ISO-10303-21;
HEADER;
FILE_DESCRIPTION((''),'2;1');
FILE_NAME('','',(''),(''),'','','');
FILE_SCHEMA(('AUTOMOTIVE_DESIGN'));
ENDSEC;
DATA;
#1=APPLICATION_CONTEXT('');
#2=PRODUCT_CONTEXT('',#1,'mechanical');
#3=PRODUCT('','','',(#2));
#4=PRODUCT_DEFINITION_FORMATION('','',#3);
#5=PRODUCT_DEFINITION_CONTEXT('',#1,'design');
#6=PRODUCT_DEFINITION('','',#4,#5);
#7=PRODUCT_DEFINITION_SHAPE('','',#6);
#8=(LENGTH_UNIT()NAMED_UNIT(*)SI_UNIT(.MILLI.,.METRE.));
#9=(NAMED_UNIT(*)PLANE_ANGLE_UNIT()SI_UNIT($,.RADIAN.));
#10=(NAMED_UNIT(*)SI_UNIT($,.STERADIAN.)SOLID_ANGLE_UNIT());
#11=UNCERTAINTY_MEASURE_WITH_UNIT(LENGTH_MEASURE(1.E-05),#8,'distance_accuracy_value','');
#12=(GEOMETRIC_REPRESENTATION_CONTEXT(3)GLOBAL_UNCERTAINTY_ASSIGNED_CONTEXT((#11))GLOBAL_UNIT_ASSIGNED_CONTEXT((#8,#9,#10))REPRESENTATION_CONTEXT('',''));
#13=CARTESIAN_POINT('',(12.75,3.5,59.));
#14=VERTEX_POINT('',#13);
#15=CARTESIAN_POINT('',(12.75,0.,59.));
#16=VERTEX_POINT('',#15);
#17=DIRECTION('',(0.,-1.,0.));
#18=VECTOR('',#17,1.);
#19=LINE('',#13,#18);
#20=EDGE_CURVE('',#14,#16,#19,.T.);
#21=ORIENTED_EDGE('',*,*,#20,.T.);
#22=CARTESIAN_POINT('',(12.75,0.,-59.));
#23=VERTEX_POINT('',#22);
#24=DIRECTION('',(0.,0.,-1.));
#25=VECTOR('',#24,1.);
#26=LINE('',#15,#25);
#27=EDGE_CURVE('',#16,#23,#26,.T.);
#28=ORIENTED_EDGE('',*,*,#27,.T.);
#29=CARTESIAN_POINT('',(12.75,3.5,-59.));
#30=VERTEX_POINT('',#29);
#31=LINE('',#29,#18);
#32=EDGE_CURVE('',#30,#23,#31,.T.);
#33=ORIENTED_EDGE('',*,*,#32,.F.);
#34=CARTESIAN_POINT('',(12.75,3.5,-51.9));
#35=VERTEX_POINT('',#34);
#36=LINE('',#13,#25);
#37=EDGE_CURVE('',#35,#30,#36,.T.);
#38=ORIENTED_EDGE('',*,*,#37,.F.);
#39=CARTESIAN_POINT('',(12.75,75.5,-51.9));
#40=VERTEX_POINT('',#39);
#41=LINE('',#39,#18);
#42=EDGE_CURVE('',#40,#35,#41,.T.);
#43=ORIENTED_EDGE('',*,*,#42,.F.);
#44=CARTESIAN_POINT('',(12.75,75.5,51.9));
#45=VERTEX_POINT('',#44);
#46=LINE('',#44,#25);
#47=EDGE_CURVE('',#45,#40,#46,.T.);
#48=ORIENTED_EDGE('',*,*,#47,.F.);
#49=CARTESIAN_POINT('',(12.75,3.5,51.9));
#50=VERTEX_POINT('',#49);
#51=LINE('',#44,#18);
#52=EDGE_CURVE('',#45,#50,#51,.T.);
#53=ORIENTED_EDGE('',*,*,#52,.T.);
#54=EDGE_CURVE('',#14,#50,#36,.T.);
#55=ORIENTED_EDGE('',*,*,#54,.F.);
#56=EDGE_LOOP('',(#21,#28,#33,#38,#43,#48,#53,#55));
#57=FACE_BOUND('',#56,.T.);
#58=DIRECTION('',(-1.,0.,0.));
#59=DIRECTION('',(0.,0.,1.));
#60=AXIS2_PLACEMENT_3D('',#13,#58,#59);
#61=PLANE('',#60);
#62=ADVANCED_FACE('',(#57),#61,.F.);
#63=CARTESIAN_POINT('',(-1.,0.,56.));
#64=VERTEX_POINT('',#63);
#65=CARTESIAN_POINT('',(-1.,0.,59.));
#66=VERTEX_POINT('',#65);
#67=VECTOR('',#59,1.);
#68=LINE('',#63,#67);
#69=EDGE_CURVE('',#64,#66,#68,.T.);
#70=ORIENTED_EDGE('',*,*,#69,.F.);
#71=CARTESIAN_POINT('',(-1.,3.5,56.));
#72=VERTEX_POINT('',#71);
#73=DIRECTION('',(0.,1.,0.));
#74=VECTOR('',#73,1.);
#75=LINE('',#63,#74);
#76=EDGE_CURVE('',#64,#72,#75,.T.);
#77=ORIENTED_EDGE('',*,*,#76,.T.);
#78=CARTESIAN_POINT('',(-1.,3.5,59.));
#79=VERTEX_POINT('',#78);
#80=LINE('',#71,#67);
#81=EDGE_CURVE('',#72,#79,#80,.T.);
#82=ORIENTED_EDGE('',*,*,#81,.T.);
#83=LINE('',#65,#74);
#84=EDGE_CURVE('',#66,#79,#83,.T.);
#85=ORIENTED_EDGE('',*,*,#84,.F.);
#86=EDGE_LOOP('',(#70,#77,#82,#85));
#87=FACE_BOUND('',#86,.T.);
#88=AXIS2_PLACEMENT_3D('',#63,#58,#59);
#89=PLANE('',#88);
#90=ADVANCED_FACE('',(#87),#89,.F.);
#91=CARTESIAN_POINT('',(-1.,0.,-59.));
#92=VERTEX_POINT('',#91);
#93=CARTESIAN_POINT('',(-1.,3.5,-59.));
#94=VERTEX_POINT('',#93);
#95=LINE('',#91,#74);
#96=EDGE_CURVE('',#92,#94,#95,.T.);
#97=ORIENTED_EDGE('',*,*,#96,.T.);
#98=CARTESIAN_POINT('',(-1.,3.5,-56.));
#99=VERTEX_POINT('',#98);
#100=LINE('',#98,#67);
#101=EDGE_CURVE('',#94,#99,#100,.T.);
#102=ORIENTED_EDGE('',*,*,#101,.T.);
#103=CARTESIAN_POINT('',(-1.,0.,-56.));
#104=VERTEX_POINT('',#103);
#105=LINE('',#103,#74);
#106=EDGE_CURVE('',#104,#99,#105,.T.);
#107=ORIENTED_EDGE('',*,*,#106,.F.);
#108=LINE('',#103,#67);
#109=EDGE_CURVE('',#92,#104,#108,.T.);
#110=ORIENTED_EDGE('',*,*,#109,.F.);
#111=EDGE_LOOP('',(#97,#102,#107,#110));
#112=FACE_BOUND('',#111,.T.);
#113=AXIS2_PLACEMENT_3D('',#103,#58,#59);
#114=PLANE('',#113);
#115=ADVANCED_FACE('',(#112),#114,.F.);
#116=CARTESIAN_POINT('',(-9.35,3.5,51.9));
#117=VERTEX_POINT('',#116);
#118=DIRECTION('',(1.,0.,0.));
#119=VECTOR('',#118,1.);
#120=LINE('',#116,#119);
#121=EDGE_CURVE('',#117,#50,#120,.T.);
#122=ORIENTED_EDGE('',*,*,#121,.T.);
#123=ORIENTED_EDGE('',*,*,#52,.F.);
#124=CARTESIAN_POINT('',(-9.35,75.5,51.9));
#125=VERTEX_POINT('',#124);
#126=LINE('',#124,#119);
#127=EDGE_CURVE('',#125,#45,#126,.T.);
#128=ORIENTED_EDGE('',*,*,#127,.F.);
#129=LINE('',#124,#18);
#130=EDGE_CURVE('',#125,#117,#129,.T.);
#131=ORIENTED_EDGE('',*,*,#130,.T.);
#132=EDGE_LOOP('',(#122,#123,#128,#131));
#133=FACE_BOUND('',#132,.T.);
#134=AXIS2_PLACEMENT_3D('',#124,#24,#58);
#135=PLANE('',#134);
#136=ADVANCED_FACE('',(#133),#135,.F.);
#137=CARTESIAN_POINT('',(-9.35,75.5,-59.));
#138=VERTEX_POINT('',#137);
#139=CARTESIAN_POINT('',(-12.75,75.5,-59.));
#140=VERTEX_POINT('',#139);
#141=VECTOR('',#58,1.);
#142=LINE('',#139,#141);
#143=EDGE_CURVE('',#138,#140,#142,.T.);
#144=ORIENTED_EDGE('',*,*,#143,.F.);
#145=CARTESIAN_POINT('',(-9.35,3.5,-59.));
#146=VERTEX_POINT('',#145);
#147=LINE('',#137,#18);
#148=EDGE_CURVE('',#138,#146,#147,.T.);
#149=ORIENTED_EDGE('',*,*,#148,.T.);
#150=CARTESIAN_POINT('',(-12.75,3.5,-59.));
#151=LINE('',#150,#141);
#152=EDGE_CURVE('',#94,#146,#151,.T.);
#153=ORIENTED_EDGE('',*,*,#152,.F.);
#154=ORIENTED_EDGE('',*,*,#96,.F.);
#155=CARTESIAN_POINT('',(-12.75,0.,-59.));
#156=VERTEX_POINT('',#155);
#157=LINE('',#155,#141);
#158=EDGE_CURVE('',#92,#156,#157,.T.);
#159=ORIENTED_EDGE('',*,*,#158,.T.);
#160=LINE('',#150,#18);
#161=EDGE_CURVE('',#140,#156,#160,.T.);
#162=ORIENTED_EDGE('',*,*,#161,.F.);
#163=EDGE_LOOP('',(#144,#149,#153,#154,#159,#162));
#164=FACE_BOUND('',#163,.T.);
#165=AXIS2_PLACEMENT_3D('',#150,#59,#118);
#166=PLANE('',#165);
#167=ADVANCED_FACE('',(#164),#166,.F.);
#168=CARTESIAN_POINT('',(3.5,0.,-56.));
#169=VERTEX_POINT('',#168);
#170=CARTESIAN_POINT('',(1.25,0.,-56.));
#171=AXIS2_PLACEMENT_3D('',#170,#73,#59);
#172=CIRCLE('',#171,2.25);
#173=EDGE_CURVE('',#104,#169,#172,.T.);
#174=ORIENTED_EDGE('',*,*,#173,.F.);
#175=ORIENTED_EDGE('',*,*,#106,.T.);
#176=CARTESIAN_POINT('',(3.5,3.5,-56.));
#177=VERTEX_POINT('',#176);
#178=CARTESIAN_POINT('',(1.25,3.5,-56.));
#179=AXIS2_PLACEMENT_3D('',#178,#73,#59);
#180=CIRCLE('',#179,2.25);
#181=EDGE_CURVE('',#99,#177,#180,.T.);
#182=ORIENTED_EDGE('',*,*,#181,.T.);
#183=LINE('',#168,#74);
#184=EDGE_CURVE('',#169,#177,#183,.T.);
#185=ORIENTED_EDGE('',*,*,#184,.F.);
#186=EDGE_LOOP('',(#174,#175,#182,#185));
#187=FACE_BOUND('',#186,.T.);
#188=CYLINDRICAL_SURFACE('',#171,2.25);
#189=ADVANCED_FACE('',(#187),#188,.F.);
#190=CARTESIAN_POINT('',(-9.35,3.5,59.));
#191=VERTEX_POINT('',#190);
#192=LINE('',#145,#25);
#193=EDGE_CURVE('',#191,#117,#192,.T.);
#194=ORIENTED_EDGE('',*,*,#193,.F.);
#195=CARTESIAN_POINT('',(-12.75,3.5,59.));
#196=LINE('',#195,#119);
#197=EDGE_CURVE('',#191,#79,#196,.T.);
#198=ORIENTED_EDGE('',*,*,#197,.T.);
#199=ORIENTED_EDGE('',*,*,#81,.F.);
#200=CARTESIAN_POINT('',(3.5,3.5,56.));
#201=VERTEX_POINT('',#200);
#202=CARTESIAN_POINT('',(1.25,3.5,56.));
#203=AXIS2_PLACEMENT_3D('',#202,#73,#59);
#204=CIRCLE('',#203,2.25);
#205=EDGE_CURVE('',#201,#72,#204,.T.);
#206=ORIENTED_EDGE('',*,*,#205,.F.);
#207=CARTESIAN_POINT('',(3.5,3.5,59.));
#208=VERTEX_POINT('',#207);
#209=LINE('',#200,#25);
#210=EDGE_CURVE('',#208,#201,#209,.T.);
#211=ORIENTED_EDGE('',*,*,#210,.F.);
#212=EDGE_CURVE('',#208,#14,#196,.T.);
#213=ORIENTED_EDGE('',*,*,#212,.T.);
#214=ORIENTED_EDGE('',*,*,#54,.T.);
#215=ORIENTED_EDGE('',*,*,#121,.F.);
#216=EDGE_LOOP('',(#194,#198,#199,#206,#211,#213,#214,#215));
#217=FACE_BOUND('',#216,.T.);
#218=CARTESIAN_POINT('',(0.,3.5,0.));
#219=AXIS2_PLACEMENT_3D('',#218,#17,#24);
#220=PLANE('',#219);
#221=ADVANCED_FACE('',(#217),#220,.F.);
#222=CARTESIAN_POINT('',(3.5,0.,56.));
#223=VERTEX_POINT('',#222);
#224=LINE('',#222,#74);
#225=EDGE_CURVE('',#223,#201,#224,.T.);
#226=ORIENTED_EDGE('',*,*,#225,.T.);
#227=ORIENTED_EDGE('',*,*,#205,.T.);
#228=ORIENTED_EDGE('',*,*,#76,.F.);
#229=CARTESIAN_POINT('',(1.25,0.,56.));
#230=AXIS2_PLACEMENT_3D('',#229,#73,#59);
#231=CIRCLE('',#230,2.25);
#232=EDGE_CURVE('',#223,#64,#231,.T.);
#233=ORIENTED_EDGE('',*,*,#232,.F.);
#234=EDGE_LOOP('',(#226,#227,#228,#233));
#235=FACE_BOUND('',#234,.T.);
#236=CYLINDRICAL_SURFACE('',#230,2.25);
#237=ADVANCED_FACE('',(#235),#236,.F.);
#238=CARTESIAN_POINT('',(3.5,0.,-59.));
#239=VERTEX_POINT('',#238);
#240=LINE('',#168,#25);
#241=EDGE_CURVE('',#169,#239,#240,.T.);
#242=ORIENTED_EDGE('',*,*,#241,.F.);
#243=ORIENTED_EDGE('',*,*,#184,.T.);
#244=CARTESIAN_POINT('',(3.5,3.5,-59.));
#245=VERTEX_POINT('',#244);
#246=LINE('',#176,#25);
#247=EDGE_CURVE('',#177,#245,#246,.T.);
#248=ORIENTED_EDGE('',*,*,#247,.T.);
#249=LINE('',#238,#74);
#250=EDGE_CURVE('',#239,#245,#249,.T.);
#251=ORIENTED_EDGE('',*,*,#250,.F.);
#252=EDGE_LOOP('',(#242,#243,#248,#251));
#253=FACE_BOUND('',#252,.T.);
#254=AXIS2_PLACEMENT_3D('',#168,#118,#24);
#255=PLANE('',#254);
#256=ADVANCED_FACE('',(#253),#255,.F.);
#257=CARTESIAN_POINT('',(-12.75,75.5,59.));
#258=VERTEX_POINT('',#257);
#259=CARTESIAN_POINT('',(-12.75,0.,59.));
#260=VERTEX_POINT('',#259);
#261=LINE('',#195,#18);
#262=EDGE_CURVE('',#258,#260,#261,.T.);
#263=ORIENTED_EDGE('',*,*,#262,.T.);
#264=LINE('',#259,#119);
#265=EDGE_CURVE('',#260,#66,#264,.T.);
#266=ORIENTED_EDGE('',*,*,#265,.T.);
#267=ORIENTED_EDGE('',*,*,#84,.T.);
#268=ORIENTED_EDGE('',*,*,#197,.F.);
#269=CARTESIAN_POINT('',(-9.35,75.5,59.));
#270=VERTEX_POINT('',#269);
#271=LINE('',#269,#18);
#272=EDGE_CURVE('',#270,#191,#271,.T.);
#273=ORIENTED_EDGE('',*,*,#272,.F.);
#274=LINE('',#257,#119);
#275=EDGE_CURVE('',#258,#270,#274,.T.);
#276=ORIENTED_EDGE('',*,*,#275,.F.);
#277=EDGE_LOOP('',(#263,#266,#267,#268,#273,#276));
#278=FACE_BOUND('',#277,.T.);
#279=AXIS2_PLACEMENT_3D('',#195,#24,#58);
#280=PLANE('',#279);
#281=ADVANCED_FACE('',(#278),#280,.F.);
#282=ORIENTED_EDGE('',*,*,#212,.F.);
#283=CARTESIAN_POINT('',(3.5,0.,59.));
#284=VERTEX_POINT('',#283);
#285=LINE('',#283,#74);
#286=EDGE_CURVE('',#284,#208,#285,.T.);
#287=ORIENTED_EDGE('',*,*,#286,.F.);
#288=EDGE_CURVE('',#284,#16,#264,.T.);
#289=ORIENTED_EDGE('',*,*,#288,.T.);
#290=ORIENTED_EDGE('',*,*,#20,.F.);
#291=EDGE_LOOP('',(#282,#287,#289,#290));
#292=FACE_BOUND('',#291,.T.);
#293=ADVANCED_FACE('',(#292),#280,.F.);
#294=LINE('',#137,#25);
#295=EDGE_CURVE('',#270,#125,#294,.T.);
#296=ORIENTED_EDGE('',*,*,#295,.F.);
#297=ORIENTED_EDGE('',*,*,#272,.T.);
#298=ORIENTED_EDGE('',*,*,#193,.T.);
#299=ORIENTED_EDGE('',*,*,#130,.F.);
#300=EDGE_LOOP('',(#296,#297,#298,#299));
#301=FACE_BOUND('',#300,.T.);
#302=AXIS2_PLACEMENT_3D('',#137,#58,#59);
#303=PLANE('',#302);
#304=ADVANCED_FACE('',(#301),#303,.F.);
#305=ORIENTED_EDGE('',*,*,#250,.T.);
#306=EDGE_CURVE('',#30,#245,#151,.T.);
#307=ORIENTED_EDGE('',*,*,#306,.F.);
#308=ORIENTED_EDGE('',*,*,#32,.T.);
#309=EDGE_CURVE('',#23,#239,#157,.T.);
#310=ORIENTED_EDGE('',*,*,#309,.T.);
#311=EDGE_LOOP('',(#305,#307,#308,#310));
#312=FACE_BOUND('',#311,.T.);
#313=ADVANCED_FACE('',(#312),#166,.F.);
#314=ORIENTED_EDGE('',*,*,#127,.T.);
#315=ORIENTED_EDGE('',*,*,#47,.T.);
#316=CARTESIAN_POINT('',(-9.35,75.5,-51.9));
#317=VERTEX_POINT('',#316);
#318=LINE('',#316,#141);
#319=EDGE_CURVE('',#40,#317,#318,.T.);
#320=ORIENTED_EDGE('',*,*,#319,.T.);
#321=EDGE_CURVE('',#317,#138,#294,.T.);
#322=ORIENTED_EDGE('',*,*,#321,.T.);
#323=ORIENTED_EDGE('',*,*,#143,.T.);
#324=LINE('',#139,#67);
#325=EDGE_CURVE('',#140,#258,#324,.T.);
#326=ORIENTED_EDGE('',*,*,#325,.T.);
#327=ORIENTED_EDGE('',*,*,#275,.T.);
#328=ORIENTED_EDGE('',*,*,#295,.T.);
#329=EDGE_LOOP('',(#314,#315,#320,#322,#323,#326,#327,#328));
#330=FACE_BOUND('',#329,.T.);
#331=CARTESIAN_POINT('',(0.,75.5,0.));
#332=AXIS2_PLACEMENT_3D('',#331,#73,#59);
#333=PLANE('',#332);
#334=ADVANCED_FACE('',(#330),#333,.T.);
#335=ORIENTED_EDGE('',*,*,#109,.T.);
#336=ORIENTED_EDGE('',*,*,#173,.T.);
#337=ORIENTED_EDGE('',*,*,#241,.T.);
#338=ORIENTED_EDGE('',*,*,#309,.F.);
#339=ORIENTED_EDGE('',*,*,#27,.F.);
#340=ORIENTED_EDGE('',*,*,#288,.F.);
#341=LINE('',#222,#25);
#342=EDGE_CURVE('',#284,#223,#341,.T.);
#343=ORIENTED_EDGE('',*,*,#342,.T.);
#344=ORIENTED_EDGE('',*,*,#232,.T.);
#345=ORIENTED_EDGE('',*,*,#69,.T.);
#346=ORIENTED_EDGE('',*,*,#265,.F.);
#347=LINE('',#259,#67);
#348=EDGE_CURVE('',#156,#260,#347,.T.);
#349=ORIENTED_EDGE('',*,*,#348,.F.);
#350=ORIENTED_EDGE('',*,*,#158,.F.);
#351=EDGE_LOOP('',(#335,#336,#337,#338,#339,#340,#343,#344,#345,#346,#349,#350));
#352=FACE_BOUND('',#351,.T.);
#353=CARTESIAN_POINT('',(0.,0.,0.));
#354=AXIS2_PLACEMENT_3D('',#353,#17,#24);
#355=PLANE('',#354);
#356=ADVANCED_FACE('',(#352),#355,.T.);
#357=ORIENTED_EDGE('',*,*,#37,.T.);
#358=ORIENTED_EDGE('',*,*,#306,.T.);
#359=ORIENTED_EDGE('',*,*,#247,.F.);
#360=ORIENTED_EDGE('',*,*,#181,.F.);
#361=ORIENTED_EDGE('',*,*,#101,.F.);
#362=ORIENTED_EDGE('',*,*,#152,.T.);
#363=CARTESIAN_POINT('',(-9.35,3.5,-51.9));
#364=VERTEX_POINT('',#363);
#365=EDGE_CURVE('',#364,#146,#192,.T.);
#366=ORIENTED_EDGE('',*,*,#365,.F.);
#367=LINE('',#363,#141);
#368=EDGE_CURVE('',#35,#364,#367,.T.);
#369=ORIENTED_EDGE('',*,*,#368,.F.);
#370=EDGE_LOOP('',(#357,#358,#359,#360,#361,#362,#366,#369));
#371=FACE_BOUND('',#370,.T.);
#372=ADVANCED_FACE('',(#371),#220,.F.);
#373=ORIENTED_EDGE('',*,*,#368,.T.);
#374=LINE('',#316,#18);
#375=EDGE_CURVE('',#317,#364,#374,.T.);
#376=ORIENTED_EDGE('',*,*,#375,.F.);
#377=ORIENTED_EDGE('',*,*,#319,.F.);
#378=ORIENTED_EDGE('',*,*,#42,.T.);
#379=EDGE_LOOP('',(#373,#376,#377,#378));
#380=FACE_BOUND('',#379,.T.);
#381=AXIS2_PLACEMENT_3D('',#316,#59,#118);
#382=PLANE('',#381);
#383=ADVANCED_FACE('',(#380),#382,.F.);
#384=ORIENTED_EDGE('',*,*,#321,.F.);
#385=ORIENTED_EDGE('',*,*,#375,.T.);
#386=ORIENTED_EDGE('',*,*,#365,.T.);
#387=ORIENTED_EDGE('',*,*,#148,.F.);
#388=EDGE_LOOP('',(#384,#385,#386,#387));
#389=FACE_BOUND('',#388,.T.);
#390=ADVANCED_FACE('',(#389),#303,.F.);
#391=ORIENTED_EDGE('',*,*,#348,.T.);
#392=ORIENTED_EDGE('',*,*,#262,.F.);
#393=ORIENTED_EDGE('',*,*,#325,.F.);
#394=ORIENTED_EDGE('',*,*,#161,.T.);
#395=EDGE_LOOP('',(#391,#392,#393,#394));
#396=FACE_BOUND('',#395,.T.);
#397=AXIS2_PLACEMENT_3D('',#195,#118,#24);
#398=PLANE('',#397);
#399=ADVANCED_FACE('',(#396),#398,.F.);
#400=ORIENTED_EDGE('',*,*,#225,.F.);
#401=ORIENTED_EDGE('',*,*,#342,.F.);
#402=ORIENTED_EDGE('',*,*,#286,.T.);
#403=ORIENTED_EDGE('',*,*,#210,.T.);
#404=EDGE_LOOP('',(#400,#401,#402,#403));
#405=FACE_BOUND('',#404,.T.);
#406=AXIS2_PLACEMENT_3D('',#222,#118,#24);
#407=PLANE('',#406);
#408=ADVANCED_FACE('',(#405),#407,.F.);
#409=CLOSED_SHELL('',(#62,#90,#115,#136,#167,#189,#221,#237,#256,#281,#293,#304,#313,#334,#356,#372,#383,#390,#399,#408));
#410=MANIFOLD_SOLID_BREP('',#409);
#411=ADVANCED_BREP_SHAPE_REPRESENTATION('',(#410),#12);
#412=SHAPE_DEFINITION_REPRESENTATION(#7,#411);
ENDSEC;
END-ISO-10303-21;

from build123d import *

# Parameters (mm, degrees)
SKETCH2_W           = 25.5
SKETCH2_H           = 118
BOSS_EXTRUDE3_DEPTH = 3.5
CUT_EXTRUDE1_DEPTH  = 4.5
SKETCH4_W           = 3.4
SKETCH4_H           = 118
BOSS_EXTRUDE4_DEPTH = 72
SKETCH5_W           = 22.1
SKETCH5_H           = 103.8
BOSS_EXTRUDE5_DEPTH = 72


with BuildPart() as part:
    # Sketch2 → Boss-Extrude3 (new body)
    with BuildSketch(Plane(origin=(0, 0, 0), x_dir=(1, 0, 0), z_dir=(0, 1, 0))):
        Rectangle(SKETCH2_W, SKETCH2_H)
    extrude(amount=BOSS_EXTRUDE3_DEPTH)

    # Sketch3 → Cut-Extrude1 (cut, through all)
    with BuildSketch(Plane(origin=(0, 3.5, 0), x_dir=(1, 0, 0), z_dir=(0, 1, 0))):
        with BuildLine():
            Line((-1, 56), (-1, 59))
            Line((-1, 59), (3.5, 59))
            Line((3.5, 59), (3.5, 56))
            ThreePointArc((3.5, 56), (1.25, 53.75), (-1, 56))
        make_face()
        with BuildLine():
            Line((-1, -56), (-1, -59))
            Line((-1, -59), (3.5, -59))
            Line((3.5, -59), (3.5, -56))
            ThreePointArc((3.5, -56), (1.25, -53.75), (-1, -56))
        make_face()
    extrude(amount=-CUT_EXTRUDE1_DEPTH, mode=Mode.SUBTRACT)

    # Sketch4 → Boss-Extrude4 (add)
    with BuildSketch(Plane(origin=(0, 3.5, 0), x_dir=(1, 0, 0), z_dir=(0, 1, 0))):
        with Locations((-11.05, 0)):
            Rectangle(SKETCH4_W, SKETCH4_H)
    extrude(amount=BOSS_EXTRUDE4_DEPTH)

    # Sketch5 → Boss-Extrude5 (add)
    with BuildSketch(Plane(origin=(0, 3.5, 0), x_dir=(1, 0, 0), z_dir=(0, 1, 0))):
        with Locations((1.7, 0)):
            Rectangle(SKETCH5_W, SKETCH5_H)
    extrude(amount=BOSS_EXTRUDE5_DEPTH)


solid = part.part
